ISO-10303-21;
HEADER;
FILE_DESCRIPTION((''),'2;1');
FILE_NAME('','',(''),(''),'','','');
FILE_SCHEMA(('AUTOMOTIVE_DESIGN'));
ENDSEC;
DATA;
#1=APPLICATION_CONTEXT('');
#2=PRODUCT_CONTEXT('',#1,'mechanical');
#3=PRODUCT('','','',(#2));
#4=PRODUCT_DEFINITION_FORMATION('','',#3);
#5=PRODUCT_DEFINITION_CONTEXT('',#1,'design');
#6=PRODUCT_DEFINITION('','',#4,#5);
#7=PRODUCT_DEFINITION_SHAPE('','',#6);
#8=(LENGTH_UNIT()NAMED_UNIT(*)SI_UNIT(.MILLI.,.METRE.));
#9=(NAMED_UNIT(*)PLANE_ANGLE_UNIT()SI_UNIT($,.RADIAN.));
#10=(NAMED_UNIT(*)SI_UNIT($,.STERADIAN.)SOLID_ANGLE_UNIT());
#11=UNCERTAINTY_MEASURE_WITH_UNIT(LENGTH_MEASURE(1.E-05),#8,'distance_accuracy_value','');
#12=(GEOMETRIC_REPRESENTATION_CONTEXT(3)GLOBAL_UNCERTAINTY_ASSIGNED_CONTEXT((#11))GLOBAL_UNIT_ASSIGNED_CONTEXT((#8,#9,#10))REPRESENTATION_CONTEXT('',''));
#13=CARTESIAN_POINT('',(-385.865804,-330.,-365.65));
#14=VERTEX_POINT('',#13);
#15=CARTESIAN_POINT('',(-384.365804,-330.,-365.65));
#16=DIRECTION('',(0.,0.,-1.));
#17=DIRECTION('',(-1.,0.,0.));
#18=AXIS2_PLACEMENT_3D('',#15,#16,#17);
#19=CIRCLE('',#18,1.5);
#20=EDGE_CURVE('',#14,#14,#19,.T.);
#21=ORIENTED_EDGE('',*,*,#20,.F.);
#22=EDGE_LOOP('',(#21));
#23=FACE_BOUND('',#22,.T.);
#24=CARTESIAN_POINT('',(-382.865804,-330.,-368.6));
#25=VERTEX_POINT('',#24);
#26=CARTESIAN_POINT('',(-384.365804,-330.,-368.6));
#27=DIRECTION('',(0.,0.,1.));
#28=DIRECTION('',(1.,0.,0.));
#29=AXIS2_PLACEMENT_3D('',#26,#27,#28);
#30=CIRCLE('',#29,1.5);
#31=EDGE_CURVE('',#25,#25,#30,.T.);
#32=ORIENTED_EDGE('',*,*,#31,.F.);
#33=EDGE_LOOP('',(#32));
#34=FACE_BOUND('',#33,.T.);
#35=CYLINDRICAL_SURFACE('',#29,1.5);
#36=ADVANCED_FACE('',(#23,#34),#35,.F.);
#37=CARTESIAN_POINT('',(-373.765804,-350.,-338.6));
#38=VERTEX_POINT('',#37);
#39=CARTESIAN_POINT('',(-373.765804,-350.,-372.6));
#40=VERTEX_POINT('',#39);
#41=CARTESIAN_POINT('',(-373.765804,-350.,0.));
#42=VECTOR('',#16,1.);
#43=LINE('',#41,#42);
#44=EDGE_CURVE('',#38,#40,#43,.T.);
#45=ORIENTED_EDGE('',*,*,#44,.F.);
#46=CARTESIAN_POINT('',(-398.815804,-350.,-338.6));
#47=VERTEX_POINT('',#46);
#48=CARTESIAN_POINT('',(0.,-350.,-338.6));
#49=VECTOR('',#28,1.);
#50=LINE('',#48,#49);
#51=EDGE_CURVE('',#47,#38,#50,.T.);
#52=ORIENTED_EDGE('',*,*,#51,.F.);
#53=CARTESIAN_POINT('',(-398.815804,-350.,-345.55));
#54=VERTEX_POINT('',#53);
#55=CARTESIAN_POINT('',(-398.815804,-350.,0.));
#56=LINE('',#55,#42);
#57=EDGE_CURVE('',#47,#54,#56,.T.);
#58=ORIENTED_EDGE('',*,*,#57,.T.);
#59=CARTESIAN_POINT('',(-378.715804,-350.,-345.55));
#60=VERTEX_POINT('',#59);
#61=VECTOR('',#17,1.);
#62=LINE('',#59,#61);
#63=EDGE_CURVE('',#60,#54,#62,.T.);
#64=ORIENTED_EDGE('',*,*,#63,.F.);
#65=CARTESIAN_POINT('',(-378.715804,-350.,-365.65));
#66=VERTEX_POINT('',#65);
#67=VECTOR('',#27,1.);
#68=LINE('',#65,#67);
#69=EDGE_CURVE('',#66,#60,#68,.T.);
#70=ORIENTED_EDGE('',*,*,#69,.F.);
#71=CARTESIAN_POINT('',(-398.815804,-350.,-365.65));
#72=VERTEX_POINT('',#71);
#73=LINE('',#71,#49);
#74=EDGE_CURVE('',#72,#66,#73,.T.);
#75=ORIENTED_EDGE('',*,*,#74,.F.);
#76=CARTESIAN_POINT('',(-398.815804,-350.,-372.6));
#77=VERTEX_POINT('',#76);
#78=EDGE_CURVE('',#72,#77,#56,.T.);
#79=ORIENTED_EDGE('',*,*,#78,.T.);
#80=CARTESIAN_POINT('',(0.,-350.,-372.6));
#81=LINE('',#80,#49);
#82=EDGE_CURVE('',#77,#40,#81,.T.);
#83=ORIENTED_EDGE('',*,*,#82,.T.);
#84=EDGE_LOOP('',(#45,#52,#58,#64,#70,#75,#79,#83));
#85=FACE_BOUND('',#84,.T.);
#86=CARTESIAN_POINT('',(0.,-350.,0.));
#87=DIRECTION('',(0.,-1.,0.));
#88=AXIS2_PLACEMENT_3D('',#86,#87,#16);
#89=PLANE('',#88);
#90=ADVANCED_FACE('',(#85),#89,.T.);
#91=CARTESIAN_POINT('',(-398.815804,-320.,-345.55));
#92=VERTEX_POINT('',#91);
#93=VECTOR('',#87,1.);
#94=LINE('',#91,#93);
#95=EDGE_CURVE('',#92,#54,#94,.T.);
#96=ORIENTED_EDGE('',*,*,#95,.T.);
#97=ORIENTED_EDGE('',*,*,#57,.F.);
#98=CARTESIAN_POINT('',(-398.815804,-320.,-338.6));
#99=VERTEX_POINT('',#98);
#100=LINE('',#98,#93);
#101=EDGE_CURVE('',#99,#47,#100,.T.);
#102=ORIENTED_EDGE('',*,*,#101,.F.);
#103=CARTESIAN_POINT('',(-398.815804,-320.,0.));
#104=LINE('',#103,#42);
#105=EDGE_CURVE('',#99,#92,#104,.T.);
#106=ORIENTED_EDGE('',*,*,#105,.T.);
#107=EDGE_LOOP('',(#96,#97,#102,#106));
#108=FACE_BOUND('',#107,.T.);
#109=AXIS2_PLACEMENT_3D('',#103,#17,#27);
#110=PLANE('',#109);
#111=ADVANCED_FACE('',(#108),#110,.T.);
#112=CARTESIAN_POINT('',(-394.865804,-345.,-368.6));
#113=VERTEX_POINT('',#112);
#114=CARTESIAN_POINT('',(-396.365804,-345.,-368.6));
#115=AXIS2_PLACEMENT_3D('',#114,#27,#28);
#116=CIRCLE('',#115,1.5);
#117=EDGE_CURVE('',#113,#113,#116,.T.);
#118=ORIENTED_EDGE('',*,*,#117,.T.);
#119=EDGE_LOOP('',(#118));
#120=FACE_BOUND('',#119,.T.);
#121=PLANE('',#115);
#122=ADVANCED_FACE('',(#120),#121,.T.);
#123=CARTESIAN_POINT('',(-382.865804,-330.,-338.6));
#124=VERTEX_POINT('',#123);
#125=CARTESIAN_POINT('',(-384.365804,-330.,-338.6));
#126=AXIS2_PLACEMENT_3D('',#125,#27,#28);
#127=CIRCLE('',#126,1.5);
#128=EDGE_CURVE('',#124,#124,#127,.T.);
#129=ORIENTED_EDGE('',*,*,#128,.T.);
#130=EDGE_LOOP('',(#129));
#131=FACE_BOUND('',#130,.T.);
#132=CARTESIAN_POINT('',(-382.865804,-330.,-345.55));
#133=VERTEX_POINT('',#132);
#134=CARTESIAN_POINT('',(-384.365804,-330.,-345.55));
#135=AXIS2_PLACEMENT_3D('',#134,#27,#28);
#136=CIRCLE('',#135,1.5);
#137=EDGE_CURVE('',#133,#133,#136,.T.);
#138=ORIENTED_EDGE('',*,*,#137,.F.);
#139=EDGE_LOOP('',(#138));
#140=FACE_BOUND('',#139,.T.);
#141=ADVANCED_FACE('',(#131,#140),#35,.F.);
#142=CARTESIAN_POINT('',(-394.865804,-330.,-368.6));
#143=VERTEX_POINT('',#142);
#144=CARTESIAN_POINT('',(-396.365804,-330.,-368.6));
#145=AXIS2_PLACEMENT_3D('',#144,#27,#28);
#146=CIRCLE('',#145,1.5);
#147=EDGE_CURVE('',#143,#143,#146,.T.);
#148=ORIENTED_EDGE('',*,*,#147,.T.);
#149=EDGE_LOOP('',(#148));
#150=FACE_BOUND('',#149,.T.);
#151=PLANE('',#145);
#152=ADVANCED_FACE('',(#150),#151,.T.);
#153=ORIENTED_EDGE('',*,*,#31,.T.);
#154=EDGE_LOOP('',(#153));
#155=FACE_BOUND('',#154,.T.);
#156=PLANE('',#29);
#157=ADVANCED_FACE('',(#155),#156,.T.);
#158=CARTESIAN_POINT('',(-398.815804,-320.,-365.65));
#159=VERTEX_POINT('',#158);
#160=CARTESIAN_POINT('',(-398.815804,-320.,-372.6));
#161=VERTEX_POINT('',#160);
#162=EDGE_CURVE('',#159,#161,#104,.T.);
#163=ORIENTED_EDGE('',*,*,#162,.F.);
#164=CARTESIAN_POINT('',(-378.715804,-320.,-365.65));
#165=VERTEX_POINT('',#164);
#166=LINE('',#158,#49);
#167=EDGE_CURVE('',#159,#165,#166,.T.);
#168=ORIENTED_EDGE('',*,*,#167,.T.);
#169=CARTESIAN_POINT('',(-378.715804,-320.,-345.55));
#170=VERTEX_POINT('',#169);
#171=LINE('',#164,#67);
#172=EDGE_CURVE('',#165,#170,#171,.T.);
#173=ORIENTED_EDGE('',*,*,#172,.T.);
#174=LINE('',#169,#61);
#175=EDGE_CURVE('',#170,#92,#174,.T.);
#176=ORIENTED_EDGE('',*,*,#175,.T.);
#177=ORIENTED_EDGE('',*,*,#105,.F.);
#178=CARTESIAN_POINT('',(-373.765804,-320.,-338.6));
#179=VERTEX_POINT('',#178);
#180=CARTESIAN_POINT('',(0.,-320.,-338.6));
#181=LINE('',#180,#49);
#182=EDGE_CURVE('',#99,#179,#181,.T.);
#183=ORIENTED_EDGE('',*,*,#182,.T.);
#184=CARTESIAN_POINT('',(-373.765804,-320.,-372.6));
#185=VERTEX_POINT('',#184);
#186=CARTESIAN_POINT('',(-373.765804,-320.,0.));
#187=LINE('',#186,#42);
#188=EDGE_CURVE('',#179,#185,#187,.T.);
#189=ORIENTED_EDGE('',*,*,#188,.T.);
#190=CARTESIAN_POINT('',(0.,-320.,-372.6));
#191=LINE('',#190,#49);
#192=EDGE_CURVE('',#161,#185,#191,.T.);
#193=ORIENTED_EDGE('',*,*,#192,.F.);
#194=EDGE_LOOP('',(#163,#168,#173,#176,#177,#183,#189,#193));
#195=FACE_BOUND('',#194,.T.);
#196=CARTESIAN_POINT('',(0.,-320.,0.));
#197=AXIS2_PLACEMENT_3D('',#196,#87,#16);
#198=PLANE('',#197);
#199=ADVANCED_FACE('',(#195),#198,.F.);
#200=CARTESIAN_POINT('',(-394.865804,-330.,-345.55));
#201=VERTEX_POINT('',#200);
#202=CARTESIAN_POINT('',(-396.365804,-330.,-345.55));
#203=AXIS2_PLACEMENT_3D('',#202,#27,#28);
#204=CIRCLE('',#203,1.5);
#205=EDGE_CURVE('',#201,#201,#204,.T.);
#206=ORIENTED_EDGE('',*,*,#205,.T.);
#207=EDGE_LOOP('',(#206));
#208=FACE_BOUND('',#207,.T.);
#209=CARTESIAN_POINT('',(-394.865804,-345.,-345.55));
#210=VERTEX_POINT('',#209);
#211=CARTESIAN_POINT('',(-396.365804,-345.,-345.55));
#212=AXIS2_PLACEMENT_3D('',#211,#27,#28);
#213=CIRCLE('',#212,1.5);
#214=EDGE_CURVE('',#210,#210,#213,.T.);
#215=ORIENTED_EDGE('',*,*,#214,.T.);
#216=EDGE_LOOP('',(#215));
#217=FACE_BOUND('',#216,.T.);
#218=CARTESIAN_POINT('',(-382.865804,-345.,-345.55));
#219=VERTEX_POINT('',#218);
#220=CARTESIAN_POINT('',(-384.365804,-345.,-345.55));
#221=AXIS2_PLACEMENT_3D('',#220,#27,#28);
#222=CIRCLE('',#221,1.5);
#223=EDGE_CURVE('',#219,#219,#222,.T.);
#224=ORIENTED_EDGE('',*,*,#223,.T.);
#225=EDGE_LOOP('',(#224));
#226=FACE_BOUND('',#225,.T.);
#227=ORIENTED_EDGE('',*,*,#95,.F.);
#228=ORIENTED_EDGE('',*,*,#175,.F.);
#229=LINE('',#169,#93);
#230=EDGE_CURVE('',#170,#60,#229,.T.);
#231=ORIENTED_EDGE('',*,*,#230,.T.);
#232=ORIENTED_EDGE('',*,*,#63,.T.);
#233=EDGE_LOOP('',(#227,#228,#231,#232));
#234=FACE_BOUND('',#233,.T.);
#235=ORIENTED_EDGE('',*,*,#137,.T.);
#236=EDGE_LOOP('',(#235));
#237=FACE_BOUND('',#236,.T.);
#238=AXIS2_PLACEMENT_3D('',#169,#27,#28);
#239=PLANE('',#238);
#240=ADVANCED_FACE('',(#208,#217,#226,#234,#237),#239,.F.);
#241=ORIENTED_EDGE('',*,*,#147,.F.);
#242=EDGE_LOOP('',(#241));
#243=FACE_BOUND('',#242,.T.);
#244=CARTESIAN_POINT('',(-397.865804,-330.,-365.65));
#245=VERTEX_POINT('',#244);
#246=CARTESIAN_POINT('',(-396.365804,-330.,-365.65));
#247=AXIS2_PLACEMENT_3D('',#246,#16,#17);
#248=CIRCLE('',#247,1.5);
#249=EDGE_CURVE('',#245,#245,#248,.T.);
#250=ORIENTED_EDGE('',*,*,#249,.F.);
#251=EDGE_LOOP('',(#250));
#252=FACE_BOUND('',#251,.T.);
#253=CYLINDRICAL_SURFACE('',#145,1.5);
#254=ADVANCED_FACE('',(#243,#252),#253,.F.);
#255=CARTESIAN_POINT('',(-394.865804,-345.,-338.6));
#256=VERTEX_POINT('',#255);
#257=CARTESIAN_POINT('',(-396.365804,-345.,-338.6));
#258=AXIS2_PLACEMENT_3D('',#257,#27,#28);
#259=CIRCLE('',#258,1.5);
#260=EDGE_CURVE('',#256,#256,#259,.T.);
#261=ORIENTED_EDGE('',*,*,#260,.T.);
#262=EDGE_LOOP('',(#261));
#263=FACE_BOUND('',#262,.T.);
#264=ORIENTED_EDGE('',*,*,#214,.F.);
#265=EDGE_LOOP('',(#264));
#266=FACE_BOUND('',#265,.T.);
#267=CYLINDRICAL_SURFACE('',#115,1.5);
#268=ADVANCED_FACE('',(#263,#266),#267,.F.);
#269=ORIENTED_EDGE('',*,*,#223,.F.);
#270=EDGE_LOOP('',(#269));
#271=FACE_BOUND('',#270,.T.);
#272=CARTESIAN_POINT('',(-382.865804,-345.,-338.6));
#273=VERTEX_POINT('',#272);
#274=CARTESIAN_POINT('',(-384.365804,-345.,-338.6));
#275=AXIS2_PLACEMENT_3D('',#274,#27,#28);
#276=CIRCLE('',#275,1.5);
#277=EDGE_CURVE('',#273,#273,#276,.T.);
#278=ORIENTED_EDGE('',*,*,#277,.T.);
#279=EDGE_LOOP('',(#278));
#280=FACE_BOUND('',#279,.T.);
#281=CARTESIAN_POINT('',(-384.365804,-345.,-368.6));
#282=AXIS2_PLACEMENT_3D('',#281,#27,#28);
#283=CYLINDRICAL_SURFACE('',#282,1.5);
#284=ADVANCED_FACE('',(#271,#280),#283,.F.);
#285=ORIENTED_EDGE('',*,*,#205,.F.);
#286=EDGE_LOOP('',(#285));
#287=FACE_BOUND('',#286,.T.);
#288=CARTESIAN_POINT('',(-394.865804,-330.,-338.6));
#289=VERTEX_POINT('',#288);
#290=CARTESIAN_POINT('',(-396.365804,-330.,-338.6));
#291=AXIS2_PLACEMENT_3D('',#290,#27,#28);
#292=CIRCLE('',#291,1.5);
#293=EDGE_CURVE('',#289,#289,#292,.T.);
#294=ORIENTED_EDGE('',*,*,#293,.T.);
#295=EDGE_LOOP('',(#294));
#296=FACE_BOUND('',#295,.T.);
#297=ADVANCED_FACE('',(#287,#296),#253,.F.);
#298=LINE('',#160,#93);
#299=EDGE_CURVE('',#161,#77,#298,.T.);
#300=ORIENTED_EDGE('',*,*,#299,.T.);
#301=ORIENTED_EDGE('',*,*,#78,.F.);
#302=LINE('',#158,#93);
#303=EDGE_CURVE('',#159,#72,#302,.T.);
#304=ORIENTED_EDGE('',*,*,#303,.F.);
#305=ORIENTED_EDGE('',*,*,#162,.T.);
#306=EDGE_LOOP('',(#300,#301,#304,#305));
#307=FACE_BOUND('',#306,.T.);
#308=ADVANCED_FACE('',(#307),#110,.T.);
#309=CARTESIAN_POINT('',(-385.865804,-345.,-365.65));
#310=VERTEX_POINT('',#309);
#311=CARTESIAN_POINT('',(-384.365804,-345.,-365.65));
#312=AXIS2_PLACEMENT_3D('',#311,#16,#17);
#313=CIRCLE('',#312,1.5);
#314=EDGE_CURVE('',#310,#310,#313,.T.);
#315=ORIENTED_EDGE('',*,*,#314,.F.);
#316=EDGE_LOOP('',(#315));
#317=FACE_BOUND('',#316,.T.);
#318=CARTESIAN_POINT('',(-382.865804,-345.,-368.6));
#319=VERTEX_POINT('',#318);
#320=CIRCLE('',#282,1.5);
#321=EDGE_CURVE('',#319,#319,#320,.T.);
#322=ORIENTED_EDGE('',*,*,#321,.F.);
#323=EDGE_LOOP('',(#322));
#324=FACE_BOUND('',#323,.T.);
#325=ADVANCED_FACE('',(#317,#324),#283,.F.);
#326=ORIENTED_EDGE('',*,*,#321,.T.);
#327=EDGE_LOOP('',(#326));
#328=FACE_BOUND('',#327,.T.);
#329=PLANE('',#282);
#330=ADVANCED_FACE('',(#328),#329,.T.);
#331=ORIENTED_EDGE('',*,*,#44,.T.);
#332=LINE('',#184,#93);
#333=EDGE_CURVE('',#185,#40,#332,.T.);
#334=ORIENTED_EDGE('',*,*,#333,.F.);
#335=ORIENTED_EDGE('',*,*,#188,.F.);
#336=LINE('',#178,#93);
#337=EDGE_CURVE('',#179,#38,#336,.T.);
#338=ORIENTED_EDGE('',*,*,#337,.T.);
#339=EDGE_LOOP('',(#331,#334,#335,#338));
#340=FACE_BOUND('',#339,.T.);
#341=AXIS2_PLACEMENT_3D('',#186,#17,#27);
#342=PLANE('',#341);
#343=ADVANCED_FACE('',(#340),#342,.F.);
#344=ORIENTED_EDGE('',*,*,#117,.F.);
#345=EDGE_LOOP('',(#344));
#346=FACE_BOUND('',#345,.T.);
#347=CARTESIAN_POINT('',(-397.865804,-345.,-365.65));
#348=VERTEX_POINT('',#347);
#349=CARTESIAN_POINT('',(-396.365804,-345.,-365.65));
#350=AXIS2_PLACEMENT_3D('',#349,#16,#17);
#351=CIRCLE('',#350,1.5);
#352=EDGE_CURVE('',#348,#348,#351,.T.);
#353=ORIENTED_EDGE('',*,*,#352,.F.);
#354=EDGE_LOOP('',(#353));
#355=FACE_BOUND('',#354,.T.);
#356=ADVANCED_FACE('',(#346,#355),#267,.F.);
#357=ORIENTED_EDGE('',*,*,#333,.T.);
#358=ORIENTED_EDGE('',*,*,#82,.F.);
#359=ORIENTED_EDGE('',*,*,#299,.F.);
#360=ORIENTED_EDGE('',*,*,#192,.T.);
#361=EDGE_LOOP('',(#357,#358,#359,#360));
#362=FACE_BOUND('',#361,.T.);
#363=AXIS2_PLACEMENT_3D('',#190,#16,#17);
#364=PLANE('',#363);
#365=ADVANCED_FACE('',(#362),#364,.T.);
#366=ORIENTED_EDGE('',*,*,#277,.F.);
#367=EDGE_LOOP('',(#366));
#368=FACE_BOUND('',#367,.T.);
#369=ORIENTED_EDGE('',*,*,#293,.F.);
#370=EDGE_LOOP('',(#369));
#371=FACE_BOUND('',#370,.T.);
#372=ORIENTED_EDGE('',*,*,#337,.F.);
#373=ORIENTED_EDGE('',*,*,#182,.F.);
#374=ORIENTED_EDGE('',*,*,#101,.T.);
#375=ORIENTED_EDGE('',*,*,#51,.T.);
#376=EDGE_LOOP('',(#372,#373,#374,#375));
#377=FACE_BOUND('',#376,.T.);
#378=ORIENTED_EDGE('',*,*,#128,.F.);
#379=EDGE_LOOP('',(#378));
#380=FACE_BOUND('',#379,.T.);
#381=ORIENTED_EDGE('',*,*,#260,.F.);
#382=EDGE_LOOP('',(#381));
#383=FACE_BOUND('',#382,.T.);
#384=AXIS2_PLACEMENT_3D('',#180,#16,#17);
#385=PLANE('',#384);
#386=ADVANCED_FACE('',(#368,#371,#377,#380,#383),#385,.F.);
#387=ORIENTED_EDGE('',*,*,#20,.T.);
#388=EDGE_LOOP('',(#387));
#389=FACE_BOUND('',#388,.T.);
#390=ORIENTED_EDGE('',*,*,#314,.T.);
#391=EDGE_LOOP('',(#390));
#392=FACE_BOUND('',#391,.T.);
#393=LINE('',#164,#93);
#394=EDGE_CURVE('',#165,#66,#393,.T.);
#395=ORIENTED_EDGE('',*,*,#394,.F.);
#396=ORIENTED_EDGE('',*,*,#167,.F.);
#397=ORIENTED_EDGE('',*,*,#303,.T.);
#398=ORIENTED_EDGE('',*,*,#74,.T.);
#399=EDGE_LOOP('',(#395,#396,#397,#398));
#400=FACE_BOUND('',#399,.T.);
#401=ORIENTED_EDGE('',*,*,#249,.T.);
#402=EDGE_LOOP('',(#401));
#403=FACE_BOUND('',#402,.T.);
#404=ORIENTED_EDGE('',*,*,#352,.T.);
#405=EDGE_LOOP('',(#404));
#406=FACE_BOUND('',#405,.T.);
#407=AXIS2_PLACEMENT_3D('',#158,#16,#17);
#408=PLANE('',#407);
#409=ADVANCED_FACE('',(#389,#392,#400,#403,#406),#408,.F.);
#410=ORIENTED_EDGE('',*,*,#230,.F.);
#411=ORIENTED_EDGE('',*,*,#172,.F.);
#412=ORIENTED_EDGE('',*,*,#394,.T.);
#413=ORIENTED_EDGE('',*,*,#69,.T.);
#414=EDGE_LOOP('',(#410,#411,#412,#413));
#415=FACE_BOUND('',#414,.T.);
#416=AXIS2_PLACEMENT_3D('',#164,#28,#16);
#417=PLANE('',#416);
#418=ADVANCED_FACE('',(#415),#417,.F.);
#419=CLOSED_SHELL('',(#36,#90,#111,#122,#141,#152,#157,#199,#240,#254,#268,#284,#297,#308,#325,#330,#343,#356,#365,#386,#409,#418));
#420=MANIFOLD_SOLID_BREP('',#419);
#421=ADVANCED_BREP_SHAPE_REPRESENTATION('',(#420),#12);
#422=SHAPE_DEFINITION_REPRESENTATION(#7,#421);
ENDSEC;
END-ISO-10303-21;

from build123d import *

# Parameters (mm, degrees)
EXTRUDE1_DEPTH     = 30
SKETCH3_R          = 1.5
CUT_EXTRUDE1_DEPTH = 30


with BuildPart() as part:
    # Sketch2 → Extrude1 (new body)
    with BuildSketch(Plane.XZ.offset(350)):
        Polygon((-380.315803698, -338.6), (-398.815803698, -338.6), (-398.815803698, -345.55), (-378.715803698, -345.55), (-378.715803698, -365.65), (-398.815803698, -365.65), (-398.815803698, -372.6), (-380.315803698, -372.6), (-373.765803698, -372.6), (-373.765803698, -338.6), align=None)
    extrude(amount=-EXTRUDE1_DEPTH)

    # Sketch3 → Cut-Extrude1 (cut)
    with BuildSketch(Plane.XY.offset(-338.6)):
        with Locations((-384.365803698, -345)):
            Circle(SKETCH3_R)
        with Locations((-396.365803698, -345)):
            Circle(SKETCH3_R)
        with Locations((-384.365803698, -330)):
            Circle(SKETCH3_R)
        with Locations((-396.365803698, -330)):
            Circle(SKETCH3_R)
    extrude(amount=-CUT_EXTRUDE1_DEPTH, mode=Mode.SUBTRACT)


solid = part.part
